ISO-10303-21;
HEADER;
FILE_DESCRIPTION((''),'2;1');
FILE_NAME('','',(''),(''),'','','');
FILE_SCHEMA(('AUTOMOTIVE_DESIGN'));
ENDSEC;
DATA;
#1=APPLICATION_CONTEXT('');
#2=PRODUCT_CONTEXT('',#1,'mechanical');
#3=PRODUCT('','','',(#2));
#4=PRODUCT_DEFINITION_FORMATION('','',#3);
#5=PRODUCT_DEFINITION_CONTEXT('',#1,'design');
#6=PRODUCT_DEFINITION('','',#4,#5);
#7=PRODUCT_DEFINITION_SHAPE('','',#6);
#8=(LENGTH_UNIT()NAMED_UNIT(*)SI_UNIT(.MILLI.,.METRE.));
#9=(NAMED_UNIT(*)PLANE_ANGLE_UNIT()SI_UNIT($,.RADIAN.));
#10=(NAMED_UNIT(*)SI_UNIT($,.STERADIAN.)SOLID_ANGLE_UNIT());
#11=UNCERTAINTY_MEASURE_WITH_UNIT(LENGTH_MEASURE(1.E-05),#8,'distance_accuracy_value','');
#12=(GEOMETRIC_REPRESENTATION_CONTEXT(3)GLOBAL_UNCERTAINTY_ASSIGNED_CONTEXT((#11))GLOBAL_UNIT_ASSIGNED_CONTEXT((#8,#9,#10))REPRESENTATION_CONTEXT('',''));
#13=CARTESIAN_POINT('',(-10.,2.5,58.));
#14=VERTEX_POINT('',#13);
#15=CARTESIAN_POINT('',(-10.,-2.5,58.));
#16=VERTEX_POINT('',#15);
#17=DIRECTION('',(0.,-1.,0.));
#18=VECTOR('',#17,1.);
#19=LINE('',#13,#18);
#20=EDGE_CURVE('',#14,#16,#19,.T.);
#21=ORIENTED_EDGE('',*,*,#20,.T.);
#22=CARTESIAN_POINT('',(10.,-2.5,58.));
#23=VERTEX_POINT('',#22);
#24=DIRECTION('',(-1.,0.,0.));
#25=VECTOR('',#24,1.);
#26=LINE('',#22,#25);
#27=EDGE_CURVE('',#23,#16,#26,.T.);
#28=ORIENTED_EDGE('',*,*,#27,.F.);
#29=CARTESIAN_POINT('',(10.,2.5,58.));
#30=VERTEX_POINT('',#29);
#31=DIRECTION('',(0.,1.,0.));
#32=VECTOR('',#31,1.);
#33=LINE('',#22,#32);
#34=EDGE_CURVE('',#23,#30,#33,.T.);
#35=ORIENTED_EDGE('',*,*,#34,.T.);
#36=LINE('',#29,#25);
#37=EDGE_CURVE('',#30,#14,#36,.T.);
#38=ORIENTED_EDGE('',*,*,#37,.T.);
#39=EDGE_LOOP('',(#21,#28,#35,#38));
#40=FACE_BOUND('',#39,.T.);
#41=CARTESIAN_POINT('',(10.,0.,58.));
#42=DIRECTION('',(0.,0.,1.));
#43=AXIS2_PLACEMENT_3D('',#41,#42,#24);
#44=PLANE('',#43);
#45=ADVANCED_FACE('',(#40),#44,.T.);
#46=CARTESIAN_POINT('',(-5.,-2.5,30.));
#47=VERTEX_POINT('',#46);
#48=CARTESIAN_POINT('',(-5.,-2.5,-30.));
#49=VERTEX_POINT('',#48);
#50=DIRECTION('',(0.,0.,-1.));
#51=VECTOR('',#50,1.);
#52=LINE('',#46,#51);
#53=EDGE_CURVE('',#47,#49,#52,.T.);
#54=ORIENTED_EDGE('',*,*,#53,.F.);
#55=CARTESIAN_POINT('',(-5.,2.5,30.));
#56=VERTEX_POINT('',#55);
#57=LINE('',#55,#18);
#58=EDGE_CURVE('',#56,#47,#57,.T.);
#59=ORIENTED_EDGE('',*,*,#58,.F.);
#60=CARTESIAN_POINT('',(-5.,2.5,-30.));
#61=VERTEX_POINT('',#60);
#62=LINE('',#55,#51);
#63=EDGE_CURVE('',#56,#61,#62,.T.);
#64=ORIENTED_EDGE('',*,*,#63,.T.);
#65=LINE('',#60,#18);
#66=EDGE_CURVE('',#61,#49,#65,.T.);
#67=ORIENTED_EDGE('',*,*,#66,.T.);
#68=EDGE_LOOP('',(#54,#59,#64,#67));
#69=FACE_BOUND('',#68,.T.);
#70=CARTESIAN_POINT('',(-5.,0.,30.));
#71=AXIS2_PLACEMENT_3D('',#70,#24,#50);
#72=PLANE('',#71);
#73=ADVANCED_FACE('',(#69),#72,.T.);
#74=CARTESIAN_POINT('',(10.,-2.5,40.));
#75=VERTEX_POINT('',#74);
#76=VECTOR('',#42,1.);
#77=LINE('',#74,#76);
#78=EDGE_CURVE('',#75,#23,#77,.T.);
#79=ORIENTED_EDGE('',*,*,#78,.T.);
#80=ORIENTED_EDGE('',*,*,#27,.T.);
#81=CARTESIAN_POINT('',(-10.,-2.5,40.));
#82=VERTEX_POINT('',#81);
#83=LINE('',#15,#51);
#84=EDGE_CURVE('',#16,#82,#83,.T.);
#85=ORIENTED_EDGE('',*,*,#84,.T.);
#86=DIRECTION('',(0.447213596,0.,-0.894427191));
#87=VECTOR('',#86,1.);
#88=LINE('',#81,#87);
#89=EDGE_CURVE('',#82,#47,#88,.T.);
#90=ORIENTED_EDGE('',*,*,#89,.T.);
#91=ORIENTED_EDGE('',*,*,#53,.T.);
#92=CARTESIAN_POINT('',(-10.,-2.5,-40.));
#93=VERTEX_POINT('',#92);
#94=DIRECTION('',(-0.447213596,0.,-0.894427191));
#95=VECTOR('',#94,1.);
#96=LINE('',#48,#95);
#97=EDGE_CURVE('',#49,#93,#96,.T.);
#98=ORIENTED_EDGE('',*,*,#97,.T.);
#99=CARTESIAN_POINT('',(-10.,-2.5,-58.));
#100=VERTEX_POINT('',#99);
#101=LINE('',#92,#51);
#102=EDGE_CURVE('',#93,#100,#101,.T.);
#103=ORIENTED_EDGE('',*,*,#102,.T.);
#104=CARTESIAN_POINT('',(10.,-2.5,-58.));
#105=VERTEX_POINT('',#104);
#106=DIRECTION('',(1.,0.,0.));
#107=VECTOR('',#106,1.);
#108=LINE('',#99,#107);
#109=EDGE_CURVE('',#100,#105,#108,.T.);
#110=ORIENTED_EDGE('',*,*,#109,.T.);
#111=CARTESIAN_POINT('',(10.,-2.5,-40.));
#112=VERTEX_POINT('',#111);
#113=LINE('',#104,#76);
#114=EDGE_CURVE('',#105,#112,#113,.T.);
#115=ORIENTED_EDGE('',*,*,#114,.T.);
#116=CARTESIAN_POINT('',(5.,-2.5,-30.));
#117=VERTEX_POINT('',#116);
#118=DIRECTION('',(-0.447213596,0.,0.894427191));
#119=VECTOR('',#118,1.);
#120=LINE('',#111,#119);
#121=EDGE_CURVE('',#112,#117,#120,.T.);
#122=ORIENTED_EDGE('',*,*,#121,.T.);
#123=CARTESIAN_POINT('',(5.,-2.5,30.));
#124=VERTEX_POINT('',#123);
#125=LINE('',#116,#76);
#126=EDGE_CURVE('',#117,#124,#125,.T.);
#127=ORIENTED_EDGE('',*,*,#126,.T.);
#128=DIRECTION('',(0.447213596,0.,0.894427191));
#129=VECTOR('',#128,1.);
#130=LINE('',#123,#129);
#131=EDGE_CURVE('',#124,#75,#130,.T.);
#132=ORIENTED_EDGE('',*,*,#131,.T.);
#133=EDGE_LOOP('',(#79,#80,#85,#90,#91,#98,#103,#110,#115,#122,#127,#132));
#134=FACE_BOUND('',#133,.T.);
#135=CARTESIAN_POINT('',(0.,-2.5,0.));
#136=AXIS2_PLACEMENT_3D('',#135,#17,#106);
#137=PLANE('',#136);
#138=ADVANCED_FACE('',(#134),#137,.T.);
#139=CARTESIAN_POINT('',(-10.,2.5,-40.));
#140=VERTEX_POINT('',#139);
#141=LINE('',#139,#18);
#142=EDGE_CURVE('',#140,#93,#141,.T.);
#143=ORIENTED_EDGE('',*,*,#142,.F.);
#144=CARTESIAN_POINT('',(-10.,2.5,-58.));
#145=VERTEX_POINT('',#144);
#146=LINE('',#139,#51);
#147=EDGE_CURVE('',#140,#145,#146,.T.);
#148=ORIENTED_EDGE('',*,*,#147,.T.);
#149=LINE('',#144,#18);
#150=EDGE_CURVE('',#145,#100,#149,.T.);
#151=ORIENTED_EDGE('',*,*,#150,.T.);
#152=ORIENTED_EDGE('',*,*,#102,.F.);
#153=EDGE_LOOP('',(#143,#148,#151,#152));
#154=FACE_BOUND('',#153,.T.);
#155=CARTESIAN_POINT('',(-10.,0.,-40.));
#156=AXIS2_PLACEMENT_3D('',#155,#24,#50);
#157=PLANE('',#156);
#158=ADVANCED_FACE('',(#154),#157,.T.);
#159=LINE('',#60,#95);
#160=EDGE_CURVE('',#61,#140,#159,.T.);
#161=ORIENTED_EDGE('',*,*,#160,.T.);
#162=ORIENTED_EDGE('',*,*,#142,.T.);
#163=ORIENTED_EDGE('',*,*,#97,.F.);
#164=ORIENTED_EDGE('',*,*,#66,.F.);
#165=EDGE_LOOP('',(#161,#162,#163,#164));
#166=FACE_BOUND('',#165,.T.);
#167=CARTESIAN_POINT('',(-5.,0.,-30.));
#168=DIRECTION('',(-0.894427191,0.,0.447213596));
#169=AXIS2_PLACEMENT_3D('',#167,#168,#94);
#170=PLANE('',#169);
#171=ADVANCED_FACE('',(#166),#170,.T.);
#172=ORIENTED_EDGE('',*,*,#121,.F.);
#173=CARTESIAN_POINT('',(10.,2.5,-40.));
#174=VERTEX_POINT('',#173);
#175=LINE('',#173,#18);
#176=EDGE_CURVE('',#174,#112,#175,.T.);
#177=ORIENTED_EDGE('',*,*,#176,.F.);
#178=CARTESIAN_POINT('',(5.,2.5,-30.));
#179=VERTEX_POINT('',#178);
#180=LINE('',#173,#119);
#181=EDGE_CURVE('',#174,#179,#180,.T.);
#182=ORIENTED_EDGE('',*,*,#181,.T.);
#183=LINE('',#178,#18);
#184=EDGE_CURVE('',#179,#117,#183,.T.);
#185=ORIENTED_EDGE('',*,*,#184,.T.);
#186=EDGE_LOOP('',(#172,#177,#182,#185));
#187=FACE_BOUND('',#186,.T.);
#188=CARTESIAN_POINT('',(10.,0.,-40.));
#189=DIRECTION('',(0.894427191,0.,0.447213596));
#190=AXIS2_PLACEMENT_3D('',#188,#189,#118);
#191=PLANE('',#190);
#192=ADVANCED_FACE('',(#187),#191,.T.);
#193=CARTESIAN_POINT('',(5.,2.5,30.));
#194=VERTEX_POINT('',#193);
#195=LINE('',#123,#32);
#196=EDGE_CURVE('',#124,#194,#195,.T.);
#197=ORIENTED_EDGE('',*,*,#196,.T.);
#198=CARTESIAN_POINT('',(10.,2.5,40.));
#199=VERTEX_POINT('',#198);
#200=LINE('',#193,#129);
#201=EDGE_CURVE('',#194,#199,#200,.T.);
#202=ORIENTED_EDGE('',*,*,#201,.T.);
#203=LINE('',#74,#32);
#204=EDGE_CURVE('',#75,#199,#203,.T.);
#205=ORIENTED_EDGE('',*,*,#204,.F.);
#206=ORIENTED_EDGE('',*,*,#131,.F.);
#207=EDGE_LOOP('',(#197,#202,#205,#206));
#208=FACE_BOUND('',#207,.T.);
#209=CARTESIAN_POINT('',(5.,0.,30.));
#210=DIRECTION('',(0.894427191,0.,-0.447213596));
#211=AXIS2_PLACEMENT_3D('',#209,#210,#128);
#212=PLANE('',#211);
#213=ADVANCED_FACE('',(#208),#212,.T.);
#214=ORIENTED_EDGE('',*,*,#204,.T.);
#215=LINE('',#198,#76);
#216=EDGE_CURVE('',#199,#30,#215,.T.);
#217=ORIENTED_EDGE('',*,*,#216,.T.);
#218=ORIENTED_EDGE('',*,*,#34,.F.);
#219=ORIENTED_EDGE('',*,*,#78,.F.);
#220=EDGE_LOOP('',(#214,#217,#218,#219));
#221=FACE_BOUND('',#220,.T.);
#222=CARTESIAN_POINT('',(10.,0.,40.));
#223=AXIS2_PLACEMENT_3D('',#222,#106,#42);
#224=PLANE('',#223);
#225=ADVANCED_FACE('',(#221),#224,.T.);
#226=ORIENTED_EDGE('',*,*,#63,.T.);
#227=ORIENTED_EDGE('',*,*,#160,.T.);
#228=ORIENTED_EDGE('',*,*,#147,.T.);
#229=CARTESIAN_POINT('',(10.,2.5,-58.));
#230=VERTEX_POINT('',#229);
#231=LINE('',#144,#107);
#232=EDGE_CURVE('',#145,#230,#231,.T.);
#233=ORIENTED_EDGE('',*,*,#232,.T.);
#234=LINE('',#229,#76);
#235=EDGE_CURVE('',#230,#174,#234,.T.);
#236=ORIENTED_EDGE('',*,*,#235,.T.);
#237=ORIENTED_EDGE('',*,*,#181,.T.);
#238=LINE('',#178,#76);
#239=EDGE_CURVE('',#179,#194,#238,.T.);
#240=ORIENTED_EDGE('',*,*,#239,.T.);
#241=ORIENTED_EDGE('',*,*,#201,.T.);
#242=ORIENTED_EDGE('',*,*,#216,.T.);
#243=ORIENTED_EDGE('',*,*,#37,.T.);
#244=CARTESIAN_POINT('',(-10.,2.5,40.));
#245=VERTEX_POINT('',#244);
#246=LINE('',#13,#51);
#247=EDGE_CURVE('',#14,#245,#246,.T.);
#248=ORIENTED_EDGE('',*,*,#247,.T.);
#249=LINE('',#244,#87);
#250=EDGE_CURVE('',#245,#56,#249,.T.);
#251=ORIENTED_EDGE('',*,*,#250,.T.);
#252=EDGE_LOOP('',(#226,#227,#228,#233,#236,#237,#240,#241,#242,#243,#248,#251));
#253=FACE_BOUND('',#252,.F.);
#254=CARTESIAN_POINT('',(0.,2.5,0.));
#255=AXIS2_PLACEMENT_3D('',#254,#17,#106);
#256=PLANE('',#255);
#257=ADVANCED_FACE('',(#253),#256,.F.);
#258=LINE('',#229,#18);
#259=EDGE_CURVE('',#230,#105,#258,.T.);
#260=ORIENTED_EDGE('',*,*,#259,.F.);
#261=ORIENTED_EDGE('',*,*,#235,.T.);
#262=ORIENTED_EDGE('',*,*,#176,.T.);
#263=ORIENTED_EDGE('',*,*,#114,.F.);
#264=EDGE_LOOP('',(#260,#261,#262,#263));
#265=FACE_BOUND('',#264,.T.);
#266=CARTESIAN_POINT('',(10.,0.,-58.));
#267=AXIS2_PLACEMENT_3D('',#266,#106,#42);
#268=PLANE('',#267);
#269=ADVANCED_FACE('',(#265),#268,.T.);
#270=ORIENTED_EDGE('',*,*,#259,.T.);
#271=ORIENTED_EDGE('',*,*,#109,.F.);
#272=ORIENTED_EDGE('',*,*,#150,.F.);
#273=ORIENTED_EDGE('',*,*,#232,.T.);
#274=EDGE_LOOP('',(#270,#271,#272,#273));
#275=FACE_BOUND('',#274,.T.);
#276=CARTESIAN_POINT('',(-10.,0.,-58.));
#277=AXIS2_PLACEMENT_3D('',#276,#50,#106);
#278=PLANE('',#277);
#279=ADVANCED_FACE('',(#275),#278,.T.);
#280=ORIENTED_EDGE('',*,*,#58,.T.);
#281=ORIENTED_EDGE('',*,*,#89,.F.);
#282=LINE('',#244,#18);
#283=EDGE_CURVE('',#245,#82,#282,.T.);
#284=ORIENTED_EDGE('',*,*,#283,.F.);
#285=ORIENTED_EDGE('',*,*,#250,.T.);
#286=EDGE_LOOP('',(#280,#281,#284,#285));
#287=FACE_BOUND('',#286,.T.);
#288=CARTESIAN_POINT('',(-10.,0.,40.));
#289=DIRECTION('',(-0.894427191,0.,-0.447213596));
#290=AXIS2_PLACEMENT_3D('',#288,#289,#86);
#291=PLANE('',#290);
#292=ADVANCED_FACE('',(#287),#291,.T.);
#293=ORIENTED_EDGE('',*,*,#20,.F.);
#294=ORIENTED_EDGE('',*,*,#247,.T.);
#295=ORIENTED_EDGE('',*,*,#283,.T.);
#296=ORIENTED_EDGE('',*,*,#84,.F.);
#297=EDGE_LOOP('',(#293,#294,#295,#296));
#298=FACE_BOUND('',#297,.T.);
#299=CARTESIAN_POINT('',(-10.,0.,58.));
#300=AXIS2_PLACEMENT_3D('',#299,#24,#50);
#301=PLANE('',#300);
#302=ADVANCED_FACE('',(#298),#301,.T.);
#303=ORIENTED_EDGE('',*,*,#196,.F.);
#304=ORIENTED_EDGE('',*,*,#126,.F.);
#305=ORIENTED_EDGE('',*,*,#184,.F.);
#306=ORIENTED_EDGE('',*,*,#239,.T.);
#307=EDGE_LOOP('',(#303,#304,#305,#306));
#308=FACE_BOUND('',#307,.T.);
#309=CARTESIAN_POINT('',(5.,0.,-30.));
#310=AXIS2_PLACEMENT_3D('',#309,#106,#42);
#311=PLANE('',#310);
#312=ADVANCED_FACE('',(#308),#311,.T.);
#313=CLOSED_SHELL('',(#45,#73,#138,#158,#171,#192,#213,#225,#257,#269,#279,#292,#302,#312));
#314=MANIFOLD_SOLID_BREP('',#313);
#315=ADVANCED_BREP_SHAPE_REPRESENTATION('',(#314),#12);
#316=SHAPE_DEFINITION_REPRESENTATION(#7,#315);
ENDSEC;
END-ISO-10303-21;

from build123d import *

# Parameters (mm, degrees)
F1_DEPTH = 2.5


with BuildPart() as f1:
    # F0 (on Front) → F1 (new body, symmetric)
    with BuildSketch(Plane.XZ):
        Polygon((10, 58), (0, 58), (-10, 58), (-10, 40), (-5, 30), (-5, 0), (-5, -30), (-10, -40), (-10, -58), (0, -58), (10, -58), (10, -40), (5, -30), (5, 0), (5, 30), (10, 40), align=None)
    extrude(amount=F1_DEPTH, both=True)


solid = f1.part
